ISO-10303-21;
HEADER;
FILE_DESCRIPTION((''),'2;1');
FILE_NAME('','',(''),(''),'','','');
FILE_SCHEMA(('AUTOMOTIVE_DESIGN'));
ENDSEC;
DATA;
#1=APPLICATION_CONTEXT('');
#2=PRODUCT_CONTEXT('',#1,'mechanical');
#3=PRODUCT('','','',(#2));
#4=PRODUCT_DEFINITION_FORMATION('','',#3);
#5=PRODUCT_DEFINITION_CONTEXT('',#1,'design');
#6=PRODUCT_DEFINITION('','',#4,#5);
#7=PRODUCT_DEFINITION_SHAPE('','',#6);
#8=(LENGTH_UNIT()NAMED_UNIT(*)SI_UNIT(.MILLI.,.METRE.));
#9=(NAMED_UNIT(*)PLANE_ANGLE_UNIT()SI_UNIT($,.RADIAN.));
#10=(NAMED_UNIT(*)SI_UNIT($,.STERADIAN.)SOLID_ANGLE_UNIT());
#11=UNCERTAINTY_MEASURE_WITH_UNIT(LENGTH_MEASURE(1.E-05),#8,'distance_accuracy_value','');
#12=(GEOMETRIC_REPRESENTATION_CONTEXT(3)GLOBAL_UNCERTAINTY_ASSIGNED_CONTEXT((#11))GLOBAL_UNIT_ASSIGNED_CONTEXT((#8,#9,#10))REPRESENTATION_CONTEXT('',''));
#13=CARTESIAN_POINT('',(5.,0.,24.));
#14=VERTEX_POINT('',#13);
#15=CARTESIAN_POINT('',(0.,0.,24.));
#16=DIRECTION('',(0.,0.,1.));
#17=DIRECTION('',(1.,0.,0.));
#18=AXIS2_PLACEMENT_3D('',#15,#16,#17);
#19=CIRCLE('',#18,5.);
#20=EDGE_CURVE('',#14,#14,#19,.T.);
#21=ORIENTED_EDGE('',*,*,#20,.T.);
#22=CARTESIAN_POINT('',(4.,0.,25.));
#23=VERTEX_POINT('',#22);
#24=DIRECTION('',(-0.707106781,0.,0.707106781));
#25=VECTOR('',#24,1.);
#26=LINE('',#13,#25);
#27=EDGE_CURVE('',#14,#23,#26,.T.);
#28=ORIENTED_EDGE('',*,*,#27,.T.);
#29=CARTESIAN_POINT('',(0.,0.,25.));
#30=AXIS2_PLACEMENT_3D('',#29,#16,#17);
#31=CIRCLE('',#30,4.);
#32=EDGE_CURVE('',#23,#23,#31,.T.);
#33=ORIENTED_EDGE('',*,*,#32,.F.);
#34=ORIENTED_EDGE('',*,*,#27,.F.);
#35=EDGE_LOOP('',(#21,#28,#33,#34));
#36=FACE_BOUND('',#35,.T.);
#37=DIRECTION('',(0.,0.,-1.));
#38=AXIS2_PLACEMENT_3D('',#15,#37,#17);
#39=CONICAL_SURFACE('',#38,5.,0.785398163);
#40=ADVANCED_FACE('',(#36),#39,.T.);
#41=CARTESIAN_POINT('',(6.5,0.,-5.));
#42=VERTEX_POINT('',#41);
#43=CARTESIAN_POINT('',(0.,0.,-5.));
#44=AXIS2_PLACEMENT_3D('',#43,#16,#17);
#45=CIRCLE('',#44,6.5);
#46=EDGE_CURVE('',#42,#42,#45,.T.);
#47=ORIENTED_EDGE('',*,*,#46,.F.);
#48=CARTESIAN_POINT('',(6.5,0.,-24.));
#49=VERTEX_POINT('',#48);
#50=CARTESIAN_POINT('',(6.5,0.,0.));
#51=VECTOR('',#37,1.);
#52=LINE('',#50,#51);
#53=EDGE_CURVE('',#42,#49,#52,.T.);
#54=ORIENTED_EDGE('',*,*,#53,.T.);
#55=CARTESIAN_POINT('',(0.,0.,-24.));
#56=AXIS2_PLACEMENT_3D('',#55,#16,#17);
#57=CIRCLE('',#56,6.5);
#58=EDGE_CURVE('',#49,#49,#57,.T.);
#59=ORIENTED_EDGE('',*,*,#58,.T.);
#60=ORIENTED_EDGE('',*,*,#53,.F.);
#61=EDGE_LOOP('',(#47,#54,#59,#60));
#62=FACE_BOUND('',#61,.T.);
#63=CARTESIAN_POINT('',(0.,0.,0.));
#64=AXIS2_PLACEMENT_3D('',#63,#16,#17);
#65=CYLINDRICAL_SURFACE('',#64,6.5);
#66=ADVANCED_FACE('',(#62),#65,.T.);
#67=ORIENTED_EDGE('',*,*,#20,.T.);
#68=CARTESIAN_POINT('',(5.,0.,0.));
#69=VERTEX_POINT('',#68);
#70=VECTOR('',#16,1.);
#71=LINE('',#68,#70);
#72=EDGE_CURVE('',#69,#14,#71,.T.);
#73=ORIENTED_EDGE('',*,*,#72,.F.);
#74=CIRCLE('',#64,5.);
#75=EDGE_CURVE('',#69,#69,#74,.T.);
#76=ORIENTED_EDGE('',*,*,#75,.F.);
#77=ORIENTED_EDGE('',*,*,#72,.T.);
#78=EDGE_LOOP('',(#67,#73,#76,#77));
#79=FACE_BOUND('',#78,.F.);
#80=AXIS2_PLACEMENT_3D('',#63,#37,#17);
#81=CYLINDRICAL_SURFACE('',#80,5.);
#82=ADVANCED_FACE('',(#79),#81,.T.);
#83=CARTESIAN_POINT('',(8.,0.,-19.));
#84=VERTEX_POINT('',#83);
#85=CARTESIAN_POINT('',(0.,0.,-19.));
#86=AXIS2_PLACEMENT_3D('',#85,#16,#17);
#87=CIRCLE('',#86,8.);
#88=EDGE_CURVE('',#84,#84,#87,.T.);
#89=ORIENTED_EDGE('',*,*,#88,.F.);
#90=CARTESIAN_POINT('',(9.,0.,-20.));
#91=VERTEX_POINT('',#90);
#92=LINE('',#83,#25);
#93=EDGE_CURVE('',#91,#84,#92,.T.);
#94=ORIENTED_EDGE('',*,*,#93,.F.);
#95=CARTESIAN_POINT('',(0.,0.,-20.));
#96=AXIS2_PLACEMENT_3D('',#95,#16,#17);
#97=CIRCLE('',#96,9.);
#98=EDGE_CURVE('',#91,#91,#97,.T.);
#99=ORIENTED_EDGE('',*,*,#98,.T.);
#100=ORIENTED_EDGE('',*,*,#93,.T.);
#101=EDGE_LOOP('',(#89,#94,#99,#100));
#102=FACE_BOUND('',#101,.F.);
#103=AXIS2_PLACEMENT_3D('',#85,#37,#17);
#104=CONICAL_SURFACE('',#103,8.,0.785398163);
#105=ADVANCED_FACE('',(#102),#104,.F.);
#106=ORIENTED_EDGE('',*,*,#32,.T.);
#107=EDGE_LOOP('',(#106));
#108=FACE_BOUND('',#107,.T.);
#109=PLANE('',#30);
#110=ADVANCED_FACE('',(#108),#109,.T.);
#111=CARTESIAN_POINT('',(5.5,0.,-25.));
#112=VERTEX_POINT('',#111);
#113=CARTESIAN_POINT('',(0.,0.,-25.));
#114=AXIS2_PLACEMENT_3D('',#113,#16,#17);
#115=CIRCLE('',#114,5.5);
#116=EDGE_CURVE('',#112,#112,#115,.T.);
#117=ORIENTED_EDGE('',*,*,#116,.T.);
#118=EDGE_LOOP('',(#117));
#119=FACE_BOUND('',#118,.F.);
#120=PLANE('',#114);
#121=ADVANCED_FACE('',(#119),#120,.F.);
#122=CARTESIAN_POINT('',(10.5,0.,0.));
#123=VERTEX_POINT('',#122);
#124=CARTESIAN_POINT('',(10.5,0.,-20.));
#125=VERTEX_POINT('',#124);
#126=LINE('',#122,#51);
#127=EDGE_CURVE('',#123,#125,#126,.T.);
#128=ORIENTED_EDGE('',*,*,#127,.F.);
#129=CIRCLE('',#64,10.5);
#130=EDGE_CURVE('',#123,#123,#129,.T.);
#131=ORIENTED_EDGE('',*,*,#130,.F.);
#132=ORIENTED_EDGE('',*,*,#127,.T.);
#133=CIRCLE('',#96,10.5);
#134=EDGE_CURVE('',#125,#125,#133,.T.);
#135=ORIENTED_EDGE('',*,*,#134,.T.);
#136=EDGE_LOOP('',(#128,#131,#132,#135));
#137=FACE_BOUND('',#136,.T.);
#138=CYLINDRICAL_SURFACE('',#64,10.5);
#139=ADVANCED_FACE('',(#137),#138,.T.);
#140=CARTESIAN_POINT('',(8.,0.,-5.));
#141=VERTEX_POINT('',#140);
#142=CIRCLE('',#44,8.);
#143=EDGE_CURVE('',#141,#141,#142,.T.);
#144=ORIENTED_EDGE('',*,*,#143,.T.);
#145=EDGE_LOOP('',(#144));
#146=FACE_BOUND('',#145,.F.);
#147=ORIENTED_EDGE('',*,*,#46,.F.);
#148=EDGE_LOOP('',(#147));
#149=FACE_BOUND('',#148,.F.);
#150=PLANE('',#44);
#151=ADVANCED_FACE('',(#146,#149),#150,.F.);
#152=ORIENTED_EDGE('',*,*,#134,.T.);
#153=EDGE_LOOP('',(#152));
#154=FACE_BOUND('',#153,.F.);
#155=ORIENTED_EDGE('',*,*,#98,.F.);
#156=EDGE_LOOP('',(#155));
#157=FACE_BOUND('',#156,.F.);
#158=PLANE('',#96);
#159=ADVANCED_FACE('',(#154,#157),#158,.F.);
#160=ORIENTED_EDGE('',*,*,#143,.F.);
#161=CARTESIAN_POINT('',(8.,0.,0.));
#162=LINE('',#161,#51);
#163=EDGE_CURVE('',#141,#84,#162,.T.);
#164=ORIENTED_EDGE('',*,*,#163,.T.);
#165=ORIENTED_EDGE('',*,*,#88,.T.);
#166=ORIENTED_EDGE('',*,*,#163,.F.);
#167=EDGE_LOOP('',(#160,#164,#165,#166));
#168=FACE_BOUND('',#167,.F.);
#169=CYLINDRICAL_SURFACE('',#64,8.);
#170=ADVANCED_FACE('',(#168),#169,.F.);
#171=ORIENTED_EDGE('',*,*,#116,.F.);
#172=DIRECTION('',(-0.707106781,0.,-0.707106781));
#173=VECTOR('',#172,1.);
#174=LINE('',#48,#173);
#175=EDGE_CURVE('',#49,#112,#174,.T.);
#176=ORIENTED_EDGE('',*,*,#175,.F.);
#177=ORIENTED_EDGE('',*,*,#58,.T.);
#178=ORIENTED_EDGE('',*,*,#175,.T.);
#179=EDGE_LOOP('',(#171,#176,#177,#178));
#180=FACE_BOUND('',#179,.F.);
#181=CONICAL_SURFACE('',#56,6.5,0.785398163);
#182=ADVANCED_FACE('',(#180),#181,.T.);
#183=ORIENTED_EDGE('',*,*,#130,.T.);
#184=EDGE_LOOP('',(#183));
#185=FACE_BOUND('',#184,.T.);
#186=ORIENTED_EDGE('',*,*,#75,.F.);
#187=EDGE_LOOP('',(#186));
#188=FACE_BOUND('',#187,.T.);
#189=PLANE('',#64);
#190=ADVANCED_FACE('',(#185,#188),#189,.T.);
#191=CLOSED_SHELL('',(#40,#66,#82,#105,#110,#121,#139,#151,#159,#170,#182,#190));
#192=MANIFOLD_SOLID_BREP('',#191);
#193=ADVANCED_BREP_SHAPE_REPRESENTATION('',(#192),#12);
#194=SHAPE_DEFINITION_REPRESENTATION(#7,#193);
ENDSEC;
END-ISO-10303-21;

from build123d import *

# Parameters (mm, degrees)
F0_R     = 5
F1_DEPTH = 25
F0_R_2   = 6.5
F2_DEPTH = 25
F0_R_3   = 8
F3_DEPTH = 5
F0_R_4   = 10.5
F4_DEPTH = 20
F5_SIZE  = 1


with BuildPart() as f1:
    # F0 (on Top) → F1 (new body)
    with BuildSketch(Plane.XY):
        Circle(F0_R)
    extrude(amount=F1_DEPTH)

    # F0 (on Top) → F2 (join)
    with BuildSketch(Plane.XY):
        Circle(F0_R_2)
        Circle(F0_R, mode=Mode.SUBTRACT)
        Circle(F0_R)
    extrude(amount=-F2_DEPTH)

    # F0 (on Top) → F3 (join)
    with BuildSketch(Plane.XY):
        Circle(F0_R_3)
        Circle(F0_R_2, mode=Mode.SUBTRACT)
    extrude(amount=-F3_DEPTH)

    # F0 (on Top) → F4 (join)
    with BuildSketch(Plane.XY):
        Circle(F0_R_4)
        Circle(F0_R_3, mode=Mode.SUBTRACT)
    extrude(amount=-F4_DEPTH)

    # F5
    f5_edges = [f1.edges().sort_by_distance(p)[0] for p in [
        (-8, 0, -20),
        (-6.5, 0, -25),
        (-5, 0, 25),
    ]]
    chamfer(f5_edges, length=F5_SIZE)


solid = f1.part
